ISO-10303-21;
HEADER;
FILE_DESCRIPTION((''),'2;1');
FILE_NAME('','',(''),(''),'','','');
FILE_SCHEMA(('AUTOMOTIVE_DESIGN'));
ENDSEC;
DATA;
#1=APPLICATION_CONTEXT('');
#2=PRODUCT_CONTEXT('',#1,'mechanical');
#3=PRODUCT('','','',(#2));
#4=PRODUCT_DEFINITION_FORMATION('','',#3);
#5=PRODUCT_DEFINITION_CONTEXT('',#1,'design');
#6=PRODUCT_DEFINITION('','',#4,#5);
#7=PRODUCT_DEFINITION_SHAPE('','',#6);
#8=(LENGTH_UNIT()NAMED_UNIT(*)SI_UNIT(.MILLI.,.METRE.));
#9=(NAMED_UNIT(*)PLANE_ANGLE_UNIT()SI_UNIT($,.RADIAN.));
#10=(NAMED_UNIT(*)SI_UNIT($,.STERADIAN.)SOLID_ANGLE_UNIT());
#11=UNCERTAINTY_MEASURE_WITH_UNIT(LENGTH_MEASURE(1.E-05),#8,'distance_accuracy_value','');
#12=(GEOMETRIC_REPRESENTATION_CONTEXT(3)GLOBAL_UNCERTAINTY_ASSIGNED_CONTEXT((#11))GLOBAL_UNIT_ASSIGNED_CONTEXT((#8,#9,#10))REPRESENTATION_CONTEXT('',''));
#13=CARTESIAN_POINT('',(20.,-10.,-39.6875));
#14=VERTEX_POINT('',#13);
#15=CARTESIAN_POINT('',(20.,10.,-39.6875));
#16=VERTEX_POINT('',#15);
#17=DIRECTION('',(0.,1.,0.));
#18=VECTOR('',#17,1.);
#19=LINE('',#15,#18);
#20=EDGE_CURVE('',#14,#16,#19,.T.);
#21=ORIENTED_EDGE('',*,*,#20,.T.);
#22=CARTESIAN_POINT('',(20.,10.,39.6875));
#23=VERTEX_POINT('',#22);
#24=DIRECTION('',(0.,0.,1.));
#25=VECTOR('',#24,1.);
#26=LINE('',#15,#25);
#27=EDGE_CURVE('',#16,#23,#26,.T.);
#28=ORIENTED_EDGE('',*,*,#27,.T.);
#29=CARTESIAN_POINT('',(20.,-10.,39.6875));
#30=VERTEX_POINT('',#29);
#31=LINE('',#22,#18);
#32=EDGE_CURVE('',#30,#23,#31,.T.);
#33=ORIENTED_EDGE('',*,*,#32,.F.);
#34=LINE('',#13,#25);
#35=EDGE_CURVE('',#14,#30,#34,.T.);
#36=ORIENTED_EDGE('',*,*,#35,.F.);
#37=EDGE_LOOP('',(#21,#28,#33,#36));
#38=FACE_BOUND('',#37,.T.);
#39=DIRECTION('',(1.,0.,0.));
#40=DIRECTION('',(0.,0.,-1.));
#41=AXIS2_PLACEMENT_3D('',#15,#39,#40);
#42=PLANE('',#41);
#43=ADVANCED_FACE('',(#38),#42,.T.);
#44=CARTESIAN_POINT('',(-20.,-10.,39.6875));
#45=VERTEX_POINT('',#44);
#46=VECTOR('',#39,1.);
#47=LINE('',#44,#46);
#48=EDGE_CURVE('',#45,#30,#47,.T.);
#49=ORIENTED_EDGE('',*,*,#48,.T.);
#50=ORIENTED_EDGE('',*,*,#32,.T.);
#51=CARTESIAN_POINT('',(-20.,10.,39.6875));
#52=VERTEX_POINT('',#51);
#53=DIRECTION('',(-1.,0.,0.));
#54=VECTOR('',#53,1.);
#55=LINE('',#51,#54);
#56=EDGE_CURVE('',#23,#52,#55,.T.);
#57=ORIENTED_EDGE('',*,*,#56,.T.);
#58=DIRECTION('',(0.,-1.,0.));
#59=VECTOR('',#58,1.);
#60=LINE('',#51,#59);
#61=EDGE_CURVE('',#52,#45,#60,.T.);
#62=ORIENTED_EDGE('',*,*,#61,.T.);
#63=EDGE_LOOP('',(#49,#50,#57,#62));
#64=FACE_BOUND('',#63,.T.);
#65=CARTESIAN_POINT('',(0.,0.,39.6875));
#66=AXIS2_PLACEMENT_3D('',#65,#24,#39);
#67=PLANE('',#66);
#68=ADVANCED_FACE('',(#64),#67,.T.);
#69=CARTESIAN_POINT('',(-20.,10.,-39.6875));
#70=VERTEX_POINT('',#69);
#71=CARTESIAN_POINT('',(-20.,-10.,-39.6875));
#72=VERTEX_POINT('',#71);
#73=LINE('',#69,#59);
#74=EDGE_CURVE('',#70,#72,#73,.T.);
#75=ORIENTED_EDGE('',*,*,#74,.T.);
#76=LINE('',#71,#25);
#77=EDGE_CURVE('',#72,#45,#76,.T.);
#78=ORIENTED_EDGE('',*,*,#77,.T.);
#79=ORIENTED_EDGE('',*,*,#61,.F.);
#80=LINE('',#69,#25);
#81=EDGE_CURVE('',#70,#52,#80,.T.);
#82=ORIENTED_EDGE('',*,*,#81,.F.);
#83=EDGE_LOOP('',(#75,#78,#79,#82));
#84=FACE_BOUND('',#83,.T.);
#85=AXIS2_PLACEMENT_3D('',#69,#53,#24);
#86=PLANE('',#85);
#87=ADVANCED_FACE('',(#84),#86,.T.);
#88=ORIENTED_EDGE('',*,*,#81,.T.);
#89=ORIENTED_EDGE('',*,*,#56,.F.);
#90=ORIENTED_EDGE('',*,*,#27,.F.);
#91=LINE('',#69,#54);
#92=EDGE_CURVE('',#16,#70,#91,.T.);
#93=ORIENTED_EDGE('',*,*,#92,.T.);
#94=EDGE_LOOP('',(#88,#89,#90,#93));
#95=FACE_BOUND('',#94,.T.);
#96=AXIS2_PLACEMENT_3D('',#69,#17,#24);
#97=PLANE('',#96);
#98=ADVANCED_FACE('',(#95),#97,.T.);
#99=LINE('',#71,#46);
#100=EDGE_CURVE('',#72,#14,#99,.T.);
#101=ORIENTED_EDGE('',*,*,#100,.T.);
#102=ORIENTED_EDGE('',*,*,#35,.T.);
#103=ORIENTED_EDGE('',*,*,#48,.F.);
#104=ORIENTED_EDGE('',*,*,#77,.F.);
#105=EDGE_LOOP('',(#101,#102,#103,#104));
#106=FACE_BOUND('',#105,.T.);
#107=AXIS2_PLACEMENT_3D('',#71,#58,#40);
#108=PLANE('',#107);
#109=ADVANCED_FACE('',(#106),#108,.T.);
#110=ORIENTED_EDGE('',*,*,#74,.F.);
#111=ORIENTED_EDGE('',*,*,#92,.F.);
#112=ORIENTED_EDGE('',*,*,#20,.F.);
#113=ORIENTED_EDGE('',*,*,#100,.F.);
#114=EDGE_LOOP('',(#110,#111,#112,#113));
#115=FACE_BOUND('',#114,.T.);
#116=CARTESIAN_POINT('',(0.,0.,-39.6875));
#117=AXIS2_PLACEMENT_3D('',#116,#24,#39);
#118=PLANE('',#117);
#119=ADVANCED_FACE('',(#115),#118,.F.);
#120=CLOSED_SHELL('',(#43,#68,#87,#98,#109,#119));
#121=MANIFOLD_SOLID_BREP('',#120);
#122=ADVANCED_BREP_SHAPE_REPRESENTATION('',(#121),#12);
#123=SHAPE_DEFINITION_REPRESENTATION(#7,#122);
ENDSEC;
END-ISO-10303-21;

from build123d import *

# Parameters (mm, degrees)
BOSS_EXTRUDE1_DEPTH      = 39.6875
BOSS_EXTRUDE1_DEPTH_BACK = 39.6875
SKETCH1_W                = 40
SKETCH1_H                = 20


with BuildPart() as part:
    # Sketch1 → Boss-Extrude1 (new, two sides: drawn at the far end of the back side and taken through both)
    with BuildSketch(Plane.XY.offset(-BOSS_EXTRUDE1_DEPTH_BACK)):
        Rectangle(SKETCH1_W, SKETCH1_H)
    extrude(amount=BOSS_EXTRUDE1_DEPTH + BOSS_EXTRUDE1_DEPTH_BACK)


solid = part.part
